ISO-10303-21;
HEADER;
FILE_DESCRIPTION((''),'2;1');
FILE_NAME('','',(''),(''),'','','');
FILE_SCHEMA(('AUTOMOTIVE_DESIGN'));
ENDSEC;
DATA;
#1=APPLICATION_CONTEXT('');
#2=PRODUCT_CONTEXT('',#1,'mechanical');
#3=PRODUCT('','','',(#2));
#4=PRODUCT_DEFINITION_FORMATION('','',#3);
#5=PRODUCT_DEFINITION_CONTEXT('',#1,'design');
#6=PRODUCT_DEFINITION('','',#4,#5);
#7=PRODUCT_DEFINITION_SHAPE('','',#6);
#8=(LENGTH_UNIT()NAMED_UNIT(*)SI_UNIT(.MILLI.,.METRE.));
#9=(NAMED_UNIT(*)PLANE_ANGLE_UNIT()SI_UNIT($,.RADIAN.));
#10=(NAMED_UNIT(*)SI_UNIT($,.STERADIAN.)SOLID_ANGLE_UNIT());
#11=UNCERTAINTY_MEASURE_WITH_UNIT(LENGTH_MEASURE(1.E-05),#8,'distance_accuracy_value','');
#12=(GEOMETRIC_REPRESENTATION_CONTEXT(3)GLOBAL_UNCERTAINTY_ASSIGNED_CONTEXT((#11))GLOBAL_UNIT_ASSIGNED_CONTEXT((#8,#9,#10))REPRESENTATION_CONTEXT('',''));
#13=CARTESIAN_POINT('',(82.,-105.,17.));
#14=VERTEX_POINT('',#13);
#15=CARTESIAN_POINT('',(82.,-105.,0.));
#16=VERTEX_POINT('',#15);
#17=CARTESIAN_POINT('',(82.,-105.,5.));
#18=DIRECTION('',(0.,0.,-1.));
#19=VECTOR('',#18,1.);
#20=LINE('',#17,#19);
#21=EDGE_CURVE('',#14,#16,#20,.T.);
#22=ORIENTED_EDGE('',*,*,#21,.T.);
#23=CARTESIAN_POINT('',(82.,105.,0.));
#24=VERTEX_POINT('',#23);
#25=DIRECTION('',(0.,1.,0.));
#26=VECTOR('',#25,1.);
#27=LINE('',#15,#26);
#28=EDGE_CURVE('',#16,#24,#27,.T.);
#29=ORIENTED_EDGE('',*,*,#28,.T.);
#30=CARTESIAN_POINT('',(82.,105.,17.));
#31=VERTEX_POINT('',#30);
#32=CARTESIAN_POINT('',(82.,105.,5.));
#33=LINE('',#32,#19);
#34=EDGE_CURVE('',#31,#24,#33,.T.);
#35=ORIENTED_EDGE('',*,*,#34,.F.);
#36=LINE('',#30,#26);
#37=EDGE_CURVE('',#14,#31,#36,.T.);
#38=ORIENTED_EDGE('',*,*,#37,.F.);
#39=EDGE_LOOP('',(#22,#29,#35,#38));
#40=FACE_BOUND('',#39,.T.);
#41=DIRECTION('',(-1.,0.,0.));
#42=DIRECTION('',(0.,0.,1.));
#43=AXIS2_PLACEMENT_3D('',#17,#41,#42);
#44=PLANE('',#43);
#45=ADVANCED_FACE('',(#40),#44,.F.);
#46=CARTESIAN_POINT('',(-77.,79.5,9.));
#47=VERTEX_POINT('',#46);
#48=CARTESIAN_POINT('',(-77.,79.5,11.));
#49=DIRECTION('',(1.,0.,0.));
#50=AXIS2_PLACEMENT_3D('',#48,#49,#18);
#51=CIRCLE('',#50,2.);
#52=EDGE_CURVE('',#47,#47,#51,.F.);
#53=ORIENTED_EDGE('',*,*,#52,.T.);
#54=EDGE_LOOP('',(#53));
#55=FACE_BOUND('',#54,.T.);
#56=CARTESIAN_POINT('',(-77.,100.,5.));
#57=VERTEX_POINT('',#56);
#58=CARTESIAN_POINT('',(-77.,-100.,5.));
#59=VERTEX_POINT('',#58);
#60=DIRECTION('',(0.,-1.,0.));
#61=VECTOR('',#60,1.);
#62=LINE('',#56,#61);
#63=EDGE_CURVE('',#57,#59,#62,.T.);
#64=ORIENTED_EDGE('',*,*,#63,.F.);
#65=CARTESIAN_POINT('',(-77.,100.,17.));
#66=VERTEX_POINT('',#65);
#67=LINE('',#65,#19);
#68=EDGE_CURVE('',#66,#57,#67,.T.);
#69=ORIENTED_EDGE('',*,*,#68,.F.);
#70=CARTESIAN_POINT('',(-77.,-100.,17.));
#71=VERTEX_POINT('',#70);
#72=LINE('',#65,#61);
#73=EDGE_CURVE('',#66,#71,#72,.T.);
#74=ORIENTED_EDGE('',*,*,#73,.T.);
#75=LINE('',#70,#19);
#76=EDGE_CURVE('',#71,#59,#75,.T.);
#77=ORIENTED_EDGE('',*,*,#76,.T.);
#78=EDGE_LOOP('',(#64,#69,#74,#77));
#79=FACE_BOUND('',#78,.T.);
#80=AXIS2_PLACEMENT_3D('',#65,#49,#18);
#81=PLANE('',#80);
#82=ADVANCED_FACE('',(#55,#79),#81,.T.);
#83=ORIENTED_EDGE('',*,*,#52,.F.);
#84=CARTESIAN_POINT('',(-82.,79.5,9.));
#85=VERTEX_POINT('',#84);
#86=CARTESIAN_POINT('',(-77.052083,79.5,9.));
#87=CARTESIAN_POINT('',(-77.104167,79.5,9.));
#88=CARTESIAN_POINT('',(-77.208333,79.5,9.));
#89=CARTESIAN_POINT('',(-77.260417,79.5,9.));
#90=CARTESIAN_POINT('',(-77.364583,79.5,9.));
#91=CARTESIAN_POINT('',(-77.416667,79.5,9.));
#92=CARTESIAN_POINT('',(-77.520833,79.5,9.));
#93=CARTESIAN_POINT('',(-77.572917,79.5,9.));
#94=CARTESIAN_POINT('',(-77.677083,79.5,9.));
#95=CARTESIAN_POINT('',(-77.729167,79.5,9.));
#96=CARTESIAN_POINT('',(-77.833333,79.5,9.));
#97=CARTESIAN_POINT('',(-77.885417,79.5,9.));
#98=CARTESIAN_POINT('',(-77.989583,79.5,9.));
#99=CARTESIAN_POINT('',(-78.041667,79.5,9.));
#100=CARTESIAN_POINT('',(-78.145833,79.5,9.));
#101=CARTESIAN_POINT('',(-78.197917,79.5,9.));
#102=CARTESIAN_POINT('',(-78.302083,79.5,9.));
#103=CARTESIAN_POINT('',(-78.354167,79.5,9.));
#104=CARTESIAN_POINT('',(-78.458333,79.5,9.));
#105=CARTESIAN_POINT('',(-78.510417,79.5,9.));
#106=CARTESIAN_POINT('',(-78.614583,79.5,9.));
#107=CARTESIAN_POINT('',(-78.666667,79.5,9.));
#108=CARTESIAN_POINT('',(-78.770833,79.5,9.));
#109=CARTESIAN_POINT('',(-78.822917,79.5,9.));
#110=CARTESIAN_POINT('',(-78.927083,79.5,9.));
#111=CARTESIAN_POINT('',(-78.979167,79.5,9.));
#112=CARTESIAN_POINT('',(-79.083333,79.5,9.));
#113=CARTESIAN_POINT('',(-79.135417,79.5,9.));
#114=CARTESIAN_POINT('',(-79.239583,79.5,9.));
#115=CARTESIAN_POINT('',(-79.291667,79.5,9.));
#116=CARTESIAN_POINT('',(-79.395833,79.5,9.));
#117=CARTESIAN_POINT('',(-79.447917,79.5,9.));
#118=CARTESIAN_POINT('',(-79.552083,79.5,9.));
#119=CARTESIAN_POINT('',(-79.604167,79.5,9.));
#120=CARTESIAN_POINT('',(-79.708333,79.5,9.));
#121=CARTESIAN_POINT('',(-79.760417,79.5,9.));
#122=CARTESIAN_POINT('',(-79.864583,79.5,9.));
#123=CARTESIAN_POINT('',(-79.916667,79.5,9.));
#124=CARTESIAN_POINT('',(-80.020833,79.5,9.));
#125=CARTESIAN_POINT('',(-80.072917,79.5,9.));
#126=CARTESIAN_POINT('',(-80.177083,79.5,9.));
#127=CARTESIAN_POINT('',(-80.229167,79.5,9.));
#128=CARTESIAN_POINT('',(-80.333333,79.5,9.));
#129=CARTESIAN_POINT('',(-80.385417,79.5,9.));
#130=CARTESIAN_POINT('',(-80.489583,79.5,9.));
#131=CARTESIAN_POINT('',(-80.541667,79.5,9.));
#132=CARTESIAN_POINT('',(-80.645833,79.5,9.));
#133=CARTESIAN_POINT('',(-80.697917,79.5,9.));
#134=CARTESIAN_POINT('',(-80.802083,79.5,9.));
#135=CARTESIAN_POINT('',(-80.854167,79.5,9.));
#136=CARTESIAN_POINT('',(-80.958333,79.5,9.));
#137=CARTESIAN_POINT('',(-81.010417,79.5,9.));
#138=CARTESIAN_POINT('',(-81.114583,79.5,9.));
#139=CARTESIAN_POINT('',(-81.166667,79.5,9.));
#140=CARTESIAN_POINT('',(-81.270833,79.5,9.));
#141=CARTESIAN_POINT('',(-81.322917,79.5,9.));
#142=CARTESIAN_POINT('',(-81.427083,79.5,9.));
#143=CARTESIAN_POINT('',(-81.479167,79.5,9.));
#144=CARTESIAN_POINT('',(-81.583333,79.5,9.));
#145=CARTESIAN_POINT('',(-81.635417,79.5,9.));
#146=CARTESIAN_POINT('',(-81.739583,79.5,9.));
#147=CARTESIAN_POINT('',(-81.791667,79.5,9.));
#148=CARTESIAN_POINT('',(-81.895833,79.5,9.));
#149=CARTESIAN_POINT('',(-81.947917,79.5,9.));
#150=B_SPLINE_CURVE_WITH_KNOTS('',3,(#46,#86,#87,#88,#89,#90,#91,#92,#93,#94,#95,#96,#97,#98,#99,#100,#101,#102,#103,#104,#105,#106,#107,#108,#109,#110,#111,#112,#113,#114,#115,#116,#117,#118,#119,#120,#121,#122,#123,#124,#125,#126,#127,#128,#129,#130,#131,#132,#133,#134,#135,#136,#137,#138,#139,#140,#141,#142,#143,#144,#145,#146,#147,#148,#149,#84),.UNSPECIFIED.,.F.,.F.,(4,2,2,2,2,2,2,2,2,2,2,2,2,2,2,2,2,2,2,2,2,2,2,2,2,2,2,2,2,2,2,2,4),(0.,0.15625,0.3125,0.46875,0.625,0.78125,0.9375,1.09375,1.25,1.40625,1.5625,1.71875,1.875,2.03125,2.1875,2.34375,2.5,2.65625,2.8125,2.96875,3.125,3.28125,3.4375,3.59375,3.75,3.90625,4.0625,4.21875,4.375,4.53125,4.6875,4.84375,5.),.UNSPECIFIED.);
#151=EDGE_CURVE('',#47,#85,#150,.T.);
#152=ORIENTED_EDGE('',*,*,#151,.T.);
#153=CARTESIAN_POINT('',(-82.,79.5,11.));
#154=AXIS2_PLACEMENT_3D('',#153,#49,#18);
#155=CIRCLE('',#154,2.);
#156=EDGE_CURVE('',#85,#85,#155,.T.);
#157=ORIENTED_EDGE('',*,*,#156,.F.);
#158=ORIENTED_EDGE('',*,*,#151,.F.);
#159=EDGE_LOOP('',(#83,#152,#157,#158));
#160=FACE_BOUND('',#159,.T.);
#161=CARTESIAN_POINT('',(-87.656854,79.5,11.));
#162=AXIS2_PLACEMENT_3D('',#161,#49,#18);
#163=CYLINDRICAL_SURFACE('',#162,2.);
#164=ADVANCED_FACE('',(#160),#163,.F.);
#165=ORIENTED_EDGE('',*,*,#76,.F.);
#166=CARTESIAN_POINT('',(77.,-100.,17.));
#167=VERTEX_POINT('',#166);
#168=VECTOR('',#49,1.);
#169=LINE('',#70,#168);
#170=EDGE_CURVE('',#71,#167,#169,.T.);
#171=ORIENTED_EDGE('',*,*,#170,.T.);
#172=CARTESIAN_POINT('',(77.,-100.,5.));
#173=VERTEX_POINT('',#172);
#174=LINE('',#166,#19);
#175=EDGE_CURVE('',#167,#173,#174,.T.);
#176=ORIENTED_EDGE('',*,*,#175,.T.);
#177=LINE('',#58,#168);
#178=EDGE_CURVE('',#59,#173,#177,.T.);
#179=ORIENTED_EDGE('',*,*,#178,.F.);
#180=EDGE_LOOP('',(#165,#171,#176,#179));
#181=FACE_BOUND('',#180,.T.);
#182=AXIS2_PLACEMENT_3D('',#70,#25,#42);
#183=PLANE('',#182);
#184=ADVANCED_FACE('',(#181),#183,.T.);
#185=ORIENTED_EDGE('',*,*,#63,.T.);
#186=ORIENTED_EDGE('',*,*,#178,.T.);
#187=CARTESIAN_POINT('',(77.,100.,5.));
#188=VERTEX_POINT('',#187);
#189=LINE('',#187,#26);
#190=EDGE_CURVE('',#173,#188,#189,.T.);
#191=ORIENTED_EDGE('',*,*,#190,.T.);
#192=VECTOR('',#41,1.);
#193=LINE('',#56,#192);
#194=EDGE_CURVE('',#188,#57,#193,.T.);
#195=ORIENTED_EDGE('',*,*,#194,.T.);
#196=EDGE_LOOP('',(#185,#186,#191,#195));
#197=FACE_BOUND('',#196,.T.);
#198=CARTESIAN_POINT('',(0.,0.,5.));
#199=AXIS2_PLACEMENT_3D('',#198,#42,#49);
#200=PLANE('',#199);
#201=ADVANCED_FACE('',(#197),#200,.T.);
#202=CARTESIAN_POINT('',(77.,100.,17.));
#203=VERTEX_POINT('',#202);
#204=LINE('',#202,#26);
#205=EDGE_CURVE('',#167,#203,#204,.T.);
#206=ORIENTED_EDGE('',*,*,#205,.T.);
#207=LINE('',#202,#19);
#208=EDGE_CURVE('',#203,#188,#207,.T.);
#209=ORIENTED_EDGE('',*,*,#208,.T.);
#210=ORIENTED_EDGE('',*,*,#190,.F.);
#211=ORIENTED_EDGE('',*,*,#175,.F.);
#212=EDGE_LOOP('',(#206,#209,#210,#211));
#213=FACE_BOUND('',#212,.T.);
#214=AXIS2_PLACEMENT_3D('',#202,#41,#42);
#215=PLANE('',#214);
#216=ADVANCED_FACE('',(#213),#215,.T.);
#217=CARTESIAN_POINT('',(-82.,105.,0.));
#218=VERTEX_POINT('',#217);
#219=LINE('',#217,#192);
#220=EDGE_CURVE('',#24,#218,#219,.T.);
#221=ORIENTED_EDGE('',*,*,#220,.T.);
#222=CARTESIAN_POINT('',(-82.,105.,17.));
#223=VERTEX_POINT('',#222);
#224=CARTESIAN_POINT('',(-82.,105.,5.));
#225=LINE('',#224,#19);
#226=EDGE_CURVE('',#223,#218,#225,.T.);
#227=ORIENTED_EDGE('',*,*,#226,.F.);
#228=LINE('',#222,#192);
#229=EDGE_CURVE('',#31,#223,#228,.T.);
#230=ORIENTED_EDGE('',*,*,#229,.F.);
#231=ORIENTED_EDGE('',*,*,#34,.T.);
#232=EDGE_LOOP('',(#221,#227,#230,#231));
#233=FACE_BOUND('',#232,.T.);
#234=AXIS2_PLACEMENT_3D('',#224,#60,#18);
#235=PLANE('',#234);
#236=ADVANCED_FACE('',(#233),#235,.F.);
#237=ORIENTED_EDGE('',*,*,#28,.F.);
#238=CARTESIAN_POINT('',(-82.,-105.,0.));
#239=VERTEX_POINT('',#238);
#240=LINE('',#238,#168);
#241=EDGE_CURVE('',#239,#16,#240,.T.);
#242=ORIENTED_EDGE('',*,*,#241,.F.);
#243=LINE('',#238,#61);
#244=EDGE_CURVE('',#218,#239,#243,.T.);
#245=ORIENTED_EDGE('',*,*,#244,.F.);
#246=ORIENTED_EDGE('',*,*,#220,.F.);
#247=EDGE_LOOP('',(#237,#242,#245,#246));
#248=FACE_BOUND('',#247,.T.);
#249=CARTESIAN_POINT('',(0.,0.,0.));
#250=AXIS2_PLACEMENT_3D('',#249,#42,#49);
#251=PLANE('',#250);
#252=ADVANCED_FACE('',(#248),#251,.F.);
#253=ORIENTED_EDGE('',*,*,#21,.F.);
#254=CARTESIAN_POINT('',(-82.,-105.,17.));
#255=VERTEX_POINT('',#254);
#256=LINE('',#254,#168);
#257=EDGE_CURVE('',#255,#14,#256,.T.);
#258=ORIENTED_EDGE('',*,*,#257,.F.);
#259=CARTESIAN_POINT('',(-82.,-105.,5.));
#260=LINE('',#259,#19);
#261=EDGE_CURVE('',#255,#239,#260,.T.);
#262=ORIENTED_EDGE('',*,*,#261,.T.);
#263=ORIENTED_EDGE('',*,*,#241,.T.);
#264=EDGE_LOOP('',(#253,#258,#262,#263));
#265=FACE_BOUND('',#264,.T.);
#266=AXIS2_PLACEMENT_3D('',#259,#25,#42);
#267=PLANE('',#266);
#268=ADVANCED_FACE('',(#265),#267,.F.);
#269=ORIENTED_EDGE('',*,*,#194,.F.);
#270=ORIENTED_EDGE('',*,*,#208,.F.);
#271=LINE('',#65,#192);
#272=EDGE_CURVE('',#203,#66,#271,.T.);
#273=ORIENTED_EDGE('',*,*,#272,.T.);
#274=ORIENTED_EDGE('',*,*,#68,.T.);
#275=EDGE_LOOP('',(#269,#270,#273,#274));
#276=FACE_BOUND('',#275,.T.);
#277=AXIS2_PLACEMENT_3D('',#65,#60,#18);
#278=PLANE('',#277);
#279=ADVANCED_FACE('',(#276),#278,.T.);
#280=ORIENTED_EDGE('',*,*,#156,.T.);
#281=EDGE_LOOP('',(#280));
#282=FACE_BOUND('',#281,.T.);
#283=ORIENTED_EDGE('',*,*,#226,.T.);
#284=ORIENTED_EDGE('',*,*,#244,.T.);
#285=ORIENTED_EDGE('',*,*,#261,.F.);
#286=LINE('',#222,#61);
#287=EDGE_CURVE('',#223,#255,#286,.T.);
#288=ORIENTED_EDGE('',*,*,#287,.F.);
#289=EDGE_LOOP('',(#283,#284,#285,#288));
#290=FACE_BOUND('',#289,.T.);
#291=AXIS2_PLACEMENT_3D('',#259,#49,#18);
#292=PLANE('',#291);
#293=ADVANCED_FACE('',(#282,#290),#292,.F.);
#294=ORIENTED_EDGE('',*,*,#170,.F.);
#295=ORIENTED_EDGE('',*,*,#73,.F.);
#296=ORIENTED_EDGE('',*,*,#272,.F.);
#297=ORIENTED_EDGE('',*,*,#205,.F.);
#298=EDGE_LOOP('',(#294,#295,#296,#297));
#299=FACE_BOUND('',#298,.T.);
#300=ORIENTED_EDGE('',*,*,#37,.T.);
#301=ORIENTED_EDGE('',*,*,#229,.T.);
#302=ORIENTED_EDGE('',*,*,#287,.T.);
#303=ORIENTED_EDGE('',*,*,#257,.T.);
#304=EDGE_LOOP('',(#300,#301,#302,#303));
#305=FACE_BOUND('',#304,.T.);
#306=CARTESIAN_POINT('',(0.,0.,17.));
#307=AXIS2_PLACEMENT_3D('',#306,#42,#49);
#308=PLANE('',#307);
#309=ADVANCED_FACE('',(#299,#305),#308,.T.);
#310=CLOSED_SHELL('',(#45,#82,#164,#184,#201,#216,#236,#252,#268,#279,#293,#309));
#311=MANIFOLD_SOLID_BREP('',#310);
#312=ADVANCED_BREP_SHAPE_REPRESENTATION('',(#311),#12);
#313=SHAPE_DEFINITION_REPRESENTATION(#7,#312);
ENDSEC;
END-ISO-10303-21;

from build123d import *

# Parameters (mm, degrees)
SKETCH1_W           = 210
SKETCH1_H           = 164
BOSS_EXTRUDE1_DEPTH = 5
SKETCH2_W           = 164
SKETCH2_H           = 210
SKETCH2_W_2         = 154
SKETCH2_H_2         = 200
BOSS_EXTRUDE2_DEPTH = 12
SKETCH3_R           = 2
CUT_EXTRUDE1_DEPTH  = 159


with BuildPart() as part:
    # Sketch1 → Boss-Extrude1 (new body)
    with BuildSketch(Plane(origin=(0, 0, 0), x_dir=(0, 1, 0), z_dir=(0, 0, 1))):
        Rectangle(SKETCH1_W, SKETCH1_H)
    extrude(amount=BOSS_EXTRUDE1_DEPTH)

    # Sketch2 → Boss-Extrude2 (add)
    with BuildSketch(Plane.XY.offset(5)):
        Rectangle(SKETCH2_W, SKETCH2_H)
        Rectangle(SKETCH2_W_2, SKETCH2_H_2, mode=Mode.SUBTRACT)
    extrude(amount=BOSS_EXTRUDE2_DEPTH)

    # Sketch3 → Cut-Extrude1 (cut)
    with BuildSketch(Plane(origin=(77, 0, 0), x_dir=(0, -1, 0), z_dir=(-1, 0, 0))):
        with Locations(Location((-79.5, 11, 0), (0, 0, 270))):
            Circle(SKETCH3_R)
    extrude(amount=CUT_EXTRUDE1_DEPTH, mode=Mode.SUBTRACT)


solid = part.part
